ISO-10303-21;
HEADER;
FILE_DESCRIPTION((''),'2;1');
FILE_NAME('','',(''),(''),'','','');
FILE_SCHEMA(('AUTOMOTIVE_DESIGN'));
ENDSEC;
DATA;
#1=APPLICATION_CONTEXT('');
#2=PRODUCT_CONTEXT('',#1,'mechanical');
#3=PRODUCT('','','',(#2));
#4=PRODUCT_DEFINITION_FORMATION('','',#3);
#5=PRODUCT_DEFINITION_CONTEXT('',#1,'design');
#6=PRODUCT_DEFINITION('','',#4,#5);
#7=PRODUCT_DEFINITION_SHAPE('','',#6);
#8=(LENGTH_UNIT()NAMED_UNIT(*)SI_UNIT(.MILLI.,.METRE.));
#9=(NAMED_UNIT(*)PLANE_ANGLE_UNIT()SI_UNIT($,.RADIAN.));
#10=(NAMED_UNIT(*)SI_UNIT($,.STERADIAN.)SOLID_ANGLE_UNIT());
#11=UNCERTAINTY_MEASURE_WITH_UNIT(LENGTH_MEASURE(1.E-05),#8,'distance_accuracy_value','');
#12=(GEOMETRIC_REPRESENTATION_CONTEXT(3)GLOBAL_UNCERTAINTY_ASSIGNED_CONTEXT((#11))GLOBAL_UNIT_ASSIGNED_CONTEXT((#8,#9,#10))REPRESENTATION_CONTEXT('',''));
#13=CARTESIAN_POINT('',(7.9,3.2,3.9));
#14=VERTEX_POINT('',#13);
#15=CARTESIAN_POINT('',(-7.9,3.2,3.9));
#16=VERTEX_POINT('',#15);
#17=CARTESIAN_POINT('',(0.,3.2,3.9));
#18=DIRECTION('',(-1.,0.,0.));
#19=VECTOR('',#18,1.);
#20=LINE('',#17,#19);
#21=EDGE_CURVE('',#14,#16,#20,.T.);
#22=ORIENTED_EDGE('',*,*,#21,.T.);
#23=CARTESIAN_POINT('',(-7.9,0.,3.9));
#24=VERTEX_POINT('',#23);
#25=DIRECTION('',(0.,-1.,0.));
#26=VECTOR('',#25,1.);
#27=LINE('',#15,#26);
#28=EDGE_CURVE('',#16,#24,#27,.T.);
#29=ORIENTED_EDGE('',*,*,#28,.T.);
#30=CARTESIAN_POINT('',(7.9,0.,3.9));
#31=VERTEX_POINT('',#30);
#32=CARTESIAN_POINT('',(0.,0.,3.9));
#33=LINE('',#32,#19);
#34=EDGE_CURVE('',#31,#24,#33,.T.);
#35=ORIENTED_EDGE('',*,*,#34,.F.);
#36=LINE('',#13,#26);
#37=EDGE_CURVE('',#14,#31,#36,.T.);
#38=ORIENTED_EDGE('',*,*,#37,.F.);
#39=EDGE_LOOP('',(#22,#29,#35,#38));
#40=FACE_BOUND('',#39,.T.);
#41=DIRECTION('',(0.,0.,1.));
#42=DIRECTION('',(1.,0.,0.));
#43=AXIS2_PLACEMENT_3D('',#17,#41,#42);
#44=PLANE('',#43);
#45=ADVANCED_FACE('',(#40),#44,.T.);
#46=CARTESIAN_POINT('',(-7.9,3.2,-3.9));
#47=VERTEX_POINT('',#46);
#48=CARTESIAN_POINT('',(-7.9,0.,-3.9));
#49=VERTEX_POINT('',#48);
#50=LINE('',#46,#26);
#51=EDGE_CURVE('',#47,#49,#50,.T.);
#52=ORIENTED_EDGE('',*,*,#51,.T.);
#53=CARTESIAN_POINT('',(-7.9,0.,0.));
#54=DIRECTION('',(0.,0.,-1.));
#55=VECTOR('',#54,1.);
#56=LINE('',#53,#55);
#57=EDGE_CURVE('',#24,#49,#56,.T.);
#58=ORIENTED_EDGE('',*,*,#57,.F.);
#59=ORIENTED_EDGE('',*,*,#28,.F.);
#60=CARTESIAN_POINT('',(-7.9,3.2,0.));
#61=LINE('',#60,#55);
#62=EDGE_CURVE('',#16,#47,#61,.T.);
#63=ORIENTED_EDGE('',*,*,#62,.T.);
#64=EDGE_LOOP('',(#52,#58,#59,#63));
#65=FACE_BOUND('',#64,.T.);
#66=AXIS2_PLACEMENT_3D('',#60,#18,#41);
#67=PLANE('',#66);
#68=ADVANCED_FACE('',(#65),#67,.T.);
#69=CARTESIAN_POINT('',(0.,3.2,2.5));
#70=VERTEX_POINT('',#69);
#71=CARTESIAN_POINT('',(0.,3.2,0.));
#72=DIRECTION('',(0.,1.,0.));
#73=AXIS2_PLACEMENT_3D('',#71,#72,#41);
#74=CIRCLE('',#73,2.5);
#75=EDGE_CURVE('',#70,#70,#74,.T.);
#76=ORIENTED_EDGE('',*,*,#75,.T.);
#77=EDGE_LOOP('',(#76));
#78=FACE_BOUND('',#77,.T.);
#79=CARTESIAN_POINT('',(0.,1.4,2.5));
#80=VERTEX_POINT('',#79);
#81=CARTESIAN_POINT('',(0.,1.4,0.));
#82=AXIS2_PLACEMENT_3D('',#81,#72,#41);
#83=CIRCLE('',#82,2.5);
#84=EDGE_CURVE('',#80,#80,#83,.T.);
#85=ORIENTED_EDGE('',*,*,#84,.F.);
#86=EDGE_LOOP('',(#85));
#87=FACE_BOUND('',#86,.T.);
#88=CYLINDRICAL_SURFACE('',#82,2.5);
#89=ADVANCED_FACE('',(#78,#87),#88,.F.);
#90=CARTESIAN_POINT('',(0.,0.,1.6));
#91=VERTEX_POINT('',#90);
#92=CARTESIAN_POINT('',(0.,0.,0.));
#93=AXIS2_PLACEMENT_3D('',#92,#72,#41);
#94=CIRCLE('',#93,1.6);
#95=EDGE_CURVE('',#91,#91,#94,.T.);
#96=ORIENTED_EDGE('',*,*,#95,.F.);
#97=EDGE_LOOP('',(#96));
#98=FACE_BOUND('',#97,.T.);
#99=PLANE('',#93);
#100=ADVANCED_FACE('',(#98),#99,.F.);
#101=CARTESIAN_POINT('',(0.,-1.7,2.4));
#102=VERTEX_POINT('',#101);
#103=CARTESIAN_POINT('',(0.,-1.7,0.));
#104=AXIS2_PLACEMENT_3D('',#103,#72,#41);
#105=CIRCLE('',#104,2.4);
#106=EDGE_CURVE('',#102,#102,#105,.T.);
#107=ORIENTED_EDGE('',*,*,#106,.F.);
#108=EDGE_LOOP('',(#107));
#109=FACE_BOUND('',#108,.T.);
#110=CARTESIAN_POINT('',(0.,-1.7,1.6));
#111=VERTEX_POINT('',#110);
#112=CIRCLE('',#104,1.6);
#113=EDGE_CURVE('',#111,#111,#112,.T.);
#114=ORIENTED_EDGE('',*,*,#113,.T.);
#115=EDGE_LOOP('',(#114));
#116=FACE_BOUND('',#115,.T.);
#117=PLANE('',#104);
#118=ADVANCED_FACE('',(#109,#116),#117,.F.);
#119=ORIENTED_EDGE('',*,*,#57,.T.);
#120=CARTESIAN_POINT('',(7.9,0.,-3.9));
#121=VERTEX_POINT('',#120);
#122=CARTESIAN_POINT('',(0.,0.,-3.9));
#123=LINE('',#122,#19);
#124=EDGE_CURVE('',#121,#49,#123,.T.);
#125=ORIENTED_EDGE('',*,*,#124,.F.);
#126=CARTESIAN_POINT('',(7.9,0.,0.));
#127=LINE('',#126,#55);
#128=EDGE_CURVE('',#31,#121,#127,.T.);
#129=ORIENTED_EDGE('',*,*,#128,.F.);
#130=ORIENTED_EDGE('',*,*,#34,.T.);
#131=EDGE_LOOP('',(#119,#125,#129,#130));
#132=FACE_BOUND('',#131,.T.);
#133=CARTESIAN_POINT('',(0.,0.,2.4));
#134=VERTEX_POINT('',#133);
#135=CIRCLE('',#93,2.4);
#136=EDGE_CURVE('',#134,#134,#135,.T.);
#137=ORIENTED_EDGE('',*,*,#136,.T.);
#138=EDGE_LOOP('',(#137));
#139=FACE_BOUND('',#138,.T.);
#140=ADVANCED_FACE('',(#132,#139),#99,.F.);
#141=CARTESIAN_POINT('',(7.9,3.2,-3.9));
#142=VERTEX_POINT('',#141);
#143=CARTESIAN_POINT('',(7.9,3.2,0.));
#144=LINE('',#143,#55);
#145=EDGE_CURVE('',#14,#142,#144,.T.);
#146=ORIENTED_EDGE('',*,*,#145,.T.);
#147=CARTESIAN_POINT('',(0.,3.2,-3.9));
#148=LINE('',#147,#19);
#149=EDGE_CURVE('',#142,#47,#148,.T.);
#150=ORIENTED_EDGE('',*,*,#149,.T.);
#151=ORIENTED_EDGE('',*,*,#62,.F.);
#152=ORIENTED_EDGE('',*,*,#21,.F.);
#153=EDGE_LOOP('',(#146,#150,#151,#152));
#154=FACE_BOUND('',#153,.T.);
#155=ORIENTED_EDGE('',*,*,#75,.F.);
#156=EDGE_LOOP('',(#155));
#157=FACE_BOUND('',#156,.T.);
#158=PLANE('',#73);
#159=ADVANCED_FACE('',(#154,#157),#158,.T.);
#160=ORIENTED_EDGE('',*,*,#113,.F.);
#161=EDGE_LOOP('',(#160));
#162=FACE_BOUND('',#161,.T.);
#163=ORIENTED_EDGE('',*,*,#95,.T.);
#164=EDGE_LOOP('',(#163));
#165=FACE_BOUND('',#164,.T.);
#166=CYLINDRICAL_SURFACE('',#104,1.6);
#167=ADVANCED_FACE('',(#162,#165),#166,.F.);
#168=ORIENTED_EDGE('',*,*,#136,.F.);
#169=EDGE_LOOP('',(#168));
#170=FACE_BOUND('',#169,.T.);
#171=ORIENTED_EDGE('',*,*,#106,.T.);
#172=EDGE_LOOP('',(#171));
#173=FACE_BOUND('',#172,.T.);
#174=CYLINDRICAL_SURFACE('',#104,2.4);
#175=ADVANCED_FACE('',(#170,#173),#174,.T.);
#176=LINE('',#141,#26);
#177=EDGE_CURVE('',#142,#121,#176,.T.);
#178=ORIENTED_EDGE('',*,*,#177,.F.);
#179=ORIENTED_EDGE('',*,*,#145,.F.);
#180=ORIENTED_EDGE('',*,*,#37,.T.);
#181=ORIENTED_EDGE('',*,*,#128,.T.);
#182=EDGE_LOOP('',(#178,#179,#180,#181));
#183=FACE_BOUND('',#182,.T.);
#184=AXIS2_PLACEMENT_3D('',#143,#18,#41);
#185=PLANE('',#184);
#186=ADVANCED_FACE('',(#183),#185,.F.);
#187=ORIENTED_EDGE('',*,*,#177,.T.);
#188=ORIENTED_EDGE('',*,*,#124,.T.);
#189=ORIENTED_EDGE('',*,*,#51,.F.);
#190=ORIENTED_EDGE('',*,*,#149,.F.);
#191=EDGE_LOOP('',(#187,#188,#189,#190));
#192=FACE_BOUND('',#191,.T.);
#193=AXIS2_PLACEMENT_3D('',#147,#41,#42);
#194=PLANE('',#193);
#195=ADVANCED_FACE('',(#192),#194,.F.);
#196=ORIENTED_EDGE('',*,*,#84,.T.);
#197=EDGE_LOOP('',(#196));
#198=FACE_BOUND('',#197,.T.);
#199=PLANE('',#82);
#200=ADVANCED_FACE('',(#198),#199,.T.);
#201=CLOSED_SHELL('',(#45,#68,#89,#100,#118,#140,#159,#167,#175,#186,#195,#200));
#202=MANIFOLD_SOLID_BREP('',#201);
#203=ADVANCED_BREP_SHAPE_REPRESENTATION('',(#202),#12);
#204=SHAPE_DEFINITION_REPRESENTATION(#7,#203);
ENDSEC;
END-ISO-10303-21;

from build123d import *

# Parameters (mm, degrees)
SKETCH_1_W          = 15.8
SKETCH_1_H          = 7.8
SKETCH_1_R          = 2.4
EXTRUDE_1_DEPTH     = 3.2
SKETCH_2_R          = 2.4
SKETCH_2_R_2        = 1.6
EXTRUDE_2_DEPTH     = 1.7
SKETCH_3_R          = 2.5
CUT_EXTRUDE_1_DEPTH = 1.8


with BuildPart() as part:
    # Эскиз1 → Бобышка-Вытянуть1 (new body)
    # profile 1 of 2: a face of its own
    with BuildSketch(Plane(origin=(0, 0, 0), x_dir=(1, 0, 0), z_dir=(0, 1, 0))):
        Rectangle(SKETCH_1_W, SKETCH_1_H)
        Circle(SKETCH_1_R, mode=Mode.SUBTRACT)
    # profile 2 of 2: a face of its own
    with BuildSketch(Plane(origin=(0, 0, 0), x_dir=(1, 0, 0), z_dir=(0, 1, 0))):
        Circle(SKETCH_1_R)
    extrude(amount=EXTRUDE_1_DEPTH)

    # Эскиз2 → Бобышка-Вытянуть2 (add)
    with BuildSketch(Plane(origin=(0, 0, 0), x_dir=(1, 0, 0), z_dir=(0, 1, 0))):
        with Locations(Location((0, 0, 0), (0, 0, 270))):
            Circle(SKETCH_2_R)
        with Locations(Location((0, 0, 0), (0, 0, 270))):
            Circle(SKETCH_2_R_2, mode=Mode.SUBTRACT)
    extrude(amount=-EXTRUDE_2_DEPTH)

    # Эскиз3 → Вырез-Вытянуть1 (cut)
    with BuildSketch(Plane(origin=(0, 3.2, 0), x_dir=(1, 0, 0), z_dir=(0, 1, 0))):
        with Locations(Location((0, 0, 0), (0, 0, 270))):
            Circle(SKETCH_3_R)
    extrude(amount=-CUT_EXTRUDE_1_DEPTH, mode=Mode.SUBTRACT)


solid = part.part
